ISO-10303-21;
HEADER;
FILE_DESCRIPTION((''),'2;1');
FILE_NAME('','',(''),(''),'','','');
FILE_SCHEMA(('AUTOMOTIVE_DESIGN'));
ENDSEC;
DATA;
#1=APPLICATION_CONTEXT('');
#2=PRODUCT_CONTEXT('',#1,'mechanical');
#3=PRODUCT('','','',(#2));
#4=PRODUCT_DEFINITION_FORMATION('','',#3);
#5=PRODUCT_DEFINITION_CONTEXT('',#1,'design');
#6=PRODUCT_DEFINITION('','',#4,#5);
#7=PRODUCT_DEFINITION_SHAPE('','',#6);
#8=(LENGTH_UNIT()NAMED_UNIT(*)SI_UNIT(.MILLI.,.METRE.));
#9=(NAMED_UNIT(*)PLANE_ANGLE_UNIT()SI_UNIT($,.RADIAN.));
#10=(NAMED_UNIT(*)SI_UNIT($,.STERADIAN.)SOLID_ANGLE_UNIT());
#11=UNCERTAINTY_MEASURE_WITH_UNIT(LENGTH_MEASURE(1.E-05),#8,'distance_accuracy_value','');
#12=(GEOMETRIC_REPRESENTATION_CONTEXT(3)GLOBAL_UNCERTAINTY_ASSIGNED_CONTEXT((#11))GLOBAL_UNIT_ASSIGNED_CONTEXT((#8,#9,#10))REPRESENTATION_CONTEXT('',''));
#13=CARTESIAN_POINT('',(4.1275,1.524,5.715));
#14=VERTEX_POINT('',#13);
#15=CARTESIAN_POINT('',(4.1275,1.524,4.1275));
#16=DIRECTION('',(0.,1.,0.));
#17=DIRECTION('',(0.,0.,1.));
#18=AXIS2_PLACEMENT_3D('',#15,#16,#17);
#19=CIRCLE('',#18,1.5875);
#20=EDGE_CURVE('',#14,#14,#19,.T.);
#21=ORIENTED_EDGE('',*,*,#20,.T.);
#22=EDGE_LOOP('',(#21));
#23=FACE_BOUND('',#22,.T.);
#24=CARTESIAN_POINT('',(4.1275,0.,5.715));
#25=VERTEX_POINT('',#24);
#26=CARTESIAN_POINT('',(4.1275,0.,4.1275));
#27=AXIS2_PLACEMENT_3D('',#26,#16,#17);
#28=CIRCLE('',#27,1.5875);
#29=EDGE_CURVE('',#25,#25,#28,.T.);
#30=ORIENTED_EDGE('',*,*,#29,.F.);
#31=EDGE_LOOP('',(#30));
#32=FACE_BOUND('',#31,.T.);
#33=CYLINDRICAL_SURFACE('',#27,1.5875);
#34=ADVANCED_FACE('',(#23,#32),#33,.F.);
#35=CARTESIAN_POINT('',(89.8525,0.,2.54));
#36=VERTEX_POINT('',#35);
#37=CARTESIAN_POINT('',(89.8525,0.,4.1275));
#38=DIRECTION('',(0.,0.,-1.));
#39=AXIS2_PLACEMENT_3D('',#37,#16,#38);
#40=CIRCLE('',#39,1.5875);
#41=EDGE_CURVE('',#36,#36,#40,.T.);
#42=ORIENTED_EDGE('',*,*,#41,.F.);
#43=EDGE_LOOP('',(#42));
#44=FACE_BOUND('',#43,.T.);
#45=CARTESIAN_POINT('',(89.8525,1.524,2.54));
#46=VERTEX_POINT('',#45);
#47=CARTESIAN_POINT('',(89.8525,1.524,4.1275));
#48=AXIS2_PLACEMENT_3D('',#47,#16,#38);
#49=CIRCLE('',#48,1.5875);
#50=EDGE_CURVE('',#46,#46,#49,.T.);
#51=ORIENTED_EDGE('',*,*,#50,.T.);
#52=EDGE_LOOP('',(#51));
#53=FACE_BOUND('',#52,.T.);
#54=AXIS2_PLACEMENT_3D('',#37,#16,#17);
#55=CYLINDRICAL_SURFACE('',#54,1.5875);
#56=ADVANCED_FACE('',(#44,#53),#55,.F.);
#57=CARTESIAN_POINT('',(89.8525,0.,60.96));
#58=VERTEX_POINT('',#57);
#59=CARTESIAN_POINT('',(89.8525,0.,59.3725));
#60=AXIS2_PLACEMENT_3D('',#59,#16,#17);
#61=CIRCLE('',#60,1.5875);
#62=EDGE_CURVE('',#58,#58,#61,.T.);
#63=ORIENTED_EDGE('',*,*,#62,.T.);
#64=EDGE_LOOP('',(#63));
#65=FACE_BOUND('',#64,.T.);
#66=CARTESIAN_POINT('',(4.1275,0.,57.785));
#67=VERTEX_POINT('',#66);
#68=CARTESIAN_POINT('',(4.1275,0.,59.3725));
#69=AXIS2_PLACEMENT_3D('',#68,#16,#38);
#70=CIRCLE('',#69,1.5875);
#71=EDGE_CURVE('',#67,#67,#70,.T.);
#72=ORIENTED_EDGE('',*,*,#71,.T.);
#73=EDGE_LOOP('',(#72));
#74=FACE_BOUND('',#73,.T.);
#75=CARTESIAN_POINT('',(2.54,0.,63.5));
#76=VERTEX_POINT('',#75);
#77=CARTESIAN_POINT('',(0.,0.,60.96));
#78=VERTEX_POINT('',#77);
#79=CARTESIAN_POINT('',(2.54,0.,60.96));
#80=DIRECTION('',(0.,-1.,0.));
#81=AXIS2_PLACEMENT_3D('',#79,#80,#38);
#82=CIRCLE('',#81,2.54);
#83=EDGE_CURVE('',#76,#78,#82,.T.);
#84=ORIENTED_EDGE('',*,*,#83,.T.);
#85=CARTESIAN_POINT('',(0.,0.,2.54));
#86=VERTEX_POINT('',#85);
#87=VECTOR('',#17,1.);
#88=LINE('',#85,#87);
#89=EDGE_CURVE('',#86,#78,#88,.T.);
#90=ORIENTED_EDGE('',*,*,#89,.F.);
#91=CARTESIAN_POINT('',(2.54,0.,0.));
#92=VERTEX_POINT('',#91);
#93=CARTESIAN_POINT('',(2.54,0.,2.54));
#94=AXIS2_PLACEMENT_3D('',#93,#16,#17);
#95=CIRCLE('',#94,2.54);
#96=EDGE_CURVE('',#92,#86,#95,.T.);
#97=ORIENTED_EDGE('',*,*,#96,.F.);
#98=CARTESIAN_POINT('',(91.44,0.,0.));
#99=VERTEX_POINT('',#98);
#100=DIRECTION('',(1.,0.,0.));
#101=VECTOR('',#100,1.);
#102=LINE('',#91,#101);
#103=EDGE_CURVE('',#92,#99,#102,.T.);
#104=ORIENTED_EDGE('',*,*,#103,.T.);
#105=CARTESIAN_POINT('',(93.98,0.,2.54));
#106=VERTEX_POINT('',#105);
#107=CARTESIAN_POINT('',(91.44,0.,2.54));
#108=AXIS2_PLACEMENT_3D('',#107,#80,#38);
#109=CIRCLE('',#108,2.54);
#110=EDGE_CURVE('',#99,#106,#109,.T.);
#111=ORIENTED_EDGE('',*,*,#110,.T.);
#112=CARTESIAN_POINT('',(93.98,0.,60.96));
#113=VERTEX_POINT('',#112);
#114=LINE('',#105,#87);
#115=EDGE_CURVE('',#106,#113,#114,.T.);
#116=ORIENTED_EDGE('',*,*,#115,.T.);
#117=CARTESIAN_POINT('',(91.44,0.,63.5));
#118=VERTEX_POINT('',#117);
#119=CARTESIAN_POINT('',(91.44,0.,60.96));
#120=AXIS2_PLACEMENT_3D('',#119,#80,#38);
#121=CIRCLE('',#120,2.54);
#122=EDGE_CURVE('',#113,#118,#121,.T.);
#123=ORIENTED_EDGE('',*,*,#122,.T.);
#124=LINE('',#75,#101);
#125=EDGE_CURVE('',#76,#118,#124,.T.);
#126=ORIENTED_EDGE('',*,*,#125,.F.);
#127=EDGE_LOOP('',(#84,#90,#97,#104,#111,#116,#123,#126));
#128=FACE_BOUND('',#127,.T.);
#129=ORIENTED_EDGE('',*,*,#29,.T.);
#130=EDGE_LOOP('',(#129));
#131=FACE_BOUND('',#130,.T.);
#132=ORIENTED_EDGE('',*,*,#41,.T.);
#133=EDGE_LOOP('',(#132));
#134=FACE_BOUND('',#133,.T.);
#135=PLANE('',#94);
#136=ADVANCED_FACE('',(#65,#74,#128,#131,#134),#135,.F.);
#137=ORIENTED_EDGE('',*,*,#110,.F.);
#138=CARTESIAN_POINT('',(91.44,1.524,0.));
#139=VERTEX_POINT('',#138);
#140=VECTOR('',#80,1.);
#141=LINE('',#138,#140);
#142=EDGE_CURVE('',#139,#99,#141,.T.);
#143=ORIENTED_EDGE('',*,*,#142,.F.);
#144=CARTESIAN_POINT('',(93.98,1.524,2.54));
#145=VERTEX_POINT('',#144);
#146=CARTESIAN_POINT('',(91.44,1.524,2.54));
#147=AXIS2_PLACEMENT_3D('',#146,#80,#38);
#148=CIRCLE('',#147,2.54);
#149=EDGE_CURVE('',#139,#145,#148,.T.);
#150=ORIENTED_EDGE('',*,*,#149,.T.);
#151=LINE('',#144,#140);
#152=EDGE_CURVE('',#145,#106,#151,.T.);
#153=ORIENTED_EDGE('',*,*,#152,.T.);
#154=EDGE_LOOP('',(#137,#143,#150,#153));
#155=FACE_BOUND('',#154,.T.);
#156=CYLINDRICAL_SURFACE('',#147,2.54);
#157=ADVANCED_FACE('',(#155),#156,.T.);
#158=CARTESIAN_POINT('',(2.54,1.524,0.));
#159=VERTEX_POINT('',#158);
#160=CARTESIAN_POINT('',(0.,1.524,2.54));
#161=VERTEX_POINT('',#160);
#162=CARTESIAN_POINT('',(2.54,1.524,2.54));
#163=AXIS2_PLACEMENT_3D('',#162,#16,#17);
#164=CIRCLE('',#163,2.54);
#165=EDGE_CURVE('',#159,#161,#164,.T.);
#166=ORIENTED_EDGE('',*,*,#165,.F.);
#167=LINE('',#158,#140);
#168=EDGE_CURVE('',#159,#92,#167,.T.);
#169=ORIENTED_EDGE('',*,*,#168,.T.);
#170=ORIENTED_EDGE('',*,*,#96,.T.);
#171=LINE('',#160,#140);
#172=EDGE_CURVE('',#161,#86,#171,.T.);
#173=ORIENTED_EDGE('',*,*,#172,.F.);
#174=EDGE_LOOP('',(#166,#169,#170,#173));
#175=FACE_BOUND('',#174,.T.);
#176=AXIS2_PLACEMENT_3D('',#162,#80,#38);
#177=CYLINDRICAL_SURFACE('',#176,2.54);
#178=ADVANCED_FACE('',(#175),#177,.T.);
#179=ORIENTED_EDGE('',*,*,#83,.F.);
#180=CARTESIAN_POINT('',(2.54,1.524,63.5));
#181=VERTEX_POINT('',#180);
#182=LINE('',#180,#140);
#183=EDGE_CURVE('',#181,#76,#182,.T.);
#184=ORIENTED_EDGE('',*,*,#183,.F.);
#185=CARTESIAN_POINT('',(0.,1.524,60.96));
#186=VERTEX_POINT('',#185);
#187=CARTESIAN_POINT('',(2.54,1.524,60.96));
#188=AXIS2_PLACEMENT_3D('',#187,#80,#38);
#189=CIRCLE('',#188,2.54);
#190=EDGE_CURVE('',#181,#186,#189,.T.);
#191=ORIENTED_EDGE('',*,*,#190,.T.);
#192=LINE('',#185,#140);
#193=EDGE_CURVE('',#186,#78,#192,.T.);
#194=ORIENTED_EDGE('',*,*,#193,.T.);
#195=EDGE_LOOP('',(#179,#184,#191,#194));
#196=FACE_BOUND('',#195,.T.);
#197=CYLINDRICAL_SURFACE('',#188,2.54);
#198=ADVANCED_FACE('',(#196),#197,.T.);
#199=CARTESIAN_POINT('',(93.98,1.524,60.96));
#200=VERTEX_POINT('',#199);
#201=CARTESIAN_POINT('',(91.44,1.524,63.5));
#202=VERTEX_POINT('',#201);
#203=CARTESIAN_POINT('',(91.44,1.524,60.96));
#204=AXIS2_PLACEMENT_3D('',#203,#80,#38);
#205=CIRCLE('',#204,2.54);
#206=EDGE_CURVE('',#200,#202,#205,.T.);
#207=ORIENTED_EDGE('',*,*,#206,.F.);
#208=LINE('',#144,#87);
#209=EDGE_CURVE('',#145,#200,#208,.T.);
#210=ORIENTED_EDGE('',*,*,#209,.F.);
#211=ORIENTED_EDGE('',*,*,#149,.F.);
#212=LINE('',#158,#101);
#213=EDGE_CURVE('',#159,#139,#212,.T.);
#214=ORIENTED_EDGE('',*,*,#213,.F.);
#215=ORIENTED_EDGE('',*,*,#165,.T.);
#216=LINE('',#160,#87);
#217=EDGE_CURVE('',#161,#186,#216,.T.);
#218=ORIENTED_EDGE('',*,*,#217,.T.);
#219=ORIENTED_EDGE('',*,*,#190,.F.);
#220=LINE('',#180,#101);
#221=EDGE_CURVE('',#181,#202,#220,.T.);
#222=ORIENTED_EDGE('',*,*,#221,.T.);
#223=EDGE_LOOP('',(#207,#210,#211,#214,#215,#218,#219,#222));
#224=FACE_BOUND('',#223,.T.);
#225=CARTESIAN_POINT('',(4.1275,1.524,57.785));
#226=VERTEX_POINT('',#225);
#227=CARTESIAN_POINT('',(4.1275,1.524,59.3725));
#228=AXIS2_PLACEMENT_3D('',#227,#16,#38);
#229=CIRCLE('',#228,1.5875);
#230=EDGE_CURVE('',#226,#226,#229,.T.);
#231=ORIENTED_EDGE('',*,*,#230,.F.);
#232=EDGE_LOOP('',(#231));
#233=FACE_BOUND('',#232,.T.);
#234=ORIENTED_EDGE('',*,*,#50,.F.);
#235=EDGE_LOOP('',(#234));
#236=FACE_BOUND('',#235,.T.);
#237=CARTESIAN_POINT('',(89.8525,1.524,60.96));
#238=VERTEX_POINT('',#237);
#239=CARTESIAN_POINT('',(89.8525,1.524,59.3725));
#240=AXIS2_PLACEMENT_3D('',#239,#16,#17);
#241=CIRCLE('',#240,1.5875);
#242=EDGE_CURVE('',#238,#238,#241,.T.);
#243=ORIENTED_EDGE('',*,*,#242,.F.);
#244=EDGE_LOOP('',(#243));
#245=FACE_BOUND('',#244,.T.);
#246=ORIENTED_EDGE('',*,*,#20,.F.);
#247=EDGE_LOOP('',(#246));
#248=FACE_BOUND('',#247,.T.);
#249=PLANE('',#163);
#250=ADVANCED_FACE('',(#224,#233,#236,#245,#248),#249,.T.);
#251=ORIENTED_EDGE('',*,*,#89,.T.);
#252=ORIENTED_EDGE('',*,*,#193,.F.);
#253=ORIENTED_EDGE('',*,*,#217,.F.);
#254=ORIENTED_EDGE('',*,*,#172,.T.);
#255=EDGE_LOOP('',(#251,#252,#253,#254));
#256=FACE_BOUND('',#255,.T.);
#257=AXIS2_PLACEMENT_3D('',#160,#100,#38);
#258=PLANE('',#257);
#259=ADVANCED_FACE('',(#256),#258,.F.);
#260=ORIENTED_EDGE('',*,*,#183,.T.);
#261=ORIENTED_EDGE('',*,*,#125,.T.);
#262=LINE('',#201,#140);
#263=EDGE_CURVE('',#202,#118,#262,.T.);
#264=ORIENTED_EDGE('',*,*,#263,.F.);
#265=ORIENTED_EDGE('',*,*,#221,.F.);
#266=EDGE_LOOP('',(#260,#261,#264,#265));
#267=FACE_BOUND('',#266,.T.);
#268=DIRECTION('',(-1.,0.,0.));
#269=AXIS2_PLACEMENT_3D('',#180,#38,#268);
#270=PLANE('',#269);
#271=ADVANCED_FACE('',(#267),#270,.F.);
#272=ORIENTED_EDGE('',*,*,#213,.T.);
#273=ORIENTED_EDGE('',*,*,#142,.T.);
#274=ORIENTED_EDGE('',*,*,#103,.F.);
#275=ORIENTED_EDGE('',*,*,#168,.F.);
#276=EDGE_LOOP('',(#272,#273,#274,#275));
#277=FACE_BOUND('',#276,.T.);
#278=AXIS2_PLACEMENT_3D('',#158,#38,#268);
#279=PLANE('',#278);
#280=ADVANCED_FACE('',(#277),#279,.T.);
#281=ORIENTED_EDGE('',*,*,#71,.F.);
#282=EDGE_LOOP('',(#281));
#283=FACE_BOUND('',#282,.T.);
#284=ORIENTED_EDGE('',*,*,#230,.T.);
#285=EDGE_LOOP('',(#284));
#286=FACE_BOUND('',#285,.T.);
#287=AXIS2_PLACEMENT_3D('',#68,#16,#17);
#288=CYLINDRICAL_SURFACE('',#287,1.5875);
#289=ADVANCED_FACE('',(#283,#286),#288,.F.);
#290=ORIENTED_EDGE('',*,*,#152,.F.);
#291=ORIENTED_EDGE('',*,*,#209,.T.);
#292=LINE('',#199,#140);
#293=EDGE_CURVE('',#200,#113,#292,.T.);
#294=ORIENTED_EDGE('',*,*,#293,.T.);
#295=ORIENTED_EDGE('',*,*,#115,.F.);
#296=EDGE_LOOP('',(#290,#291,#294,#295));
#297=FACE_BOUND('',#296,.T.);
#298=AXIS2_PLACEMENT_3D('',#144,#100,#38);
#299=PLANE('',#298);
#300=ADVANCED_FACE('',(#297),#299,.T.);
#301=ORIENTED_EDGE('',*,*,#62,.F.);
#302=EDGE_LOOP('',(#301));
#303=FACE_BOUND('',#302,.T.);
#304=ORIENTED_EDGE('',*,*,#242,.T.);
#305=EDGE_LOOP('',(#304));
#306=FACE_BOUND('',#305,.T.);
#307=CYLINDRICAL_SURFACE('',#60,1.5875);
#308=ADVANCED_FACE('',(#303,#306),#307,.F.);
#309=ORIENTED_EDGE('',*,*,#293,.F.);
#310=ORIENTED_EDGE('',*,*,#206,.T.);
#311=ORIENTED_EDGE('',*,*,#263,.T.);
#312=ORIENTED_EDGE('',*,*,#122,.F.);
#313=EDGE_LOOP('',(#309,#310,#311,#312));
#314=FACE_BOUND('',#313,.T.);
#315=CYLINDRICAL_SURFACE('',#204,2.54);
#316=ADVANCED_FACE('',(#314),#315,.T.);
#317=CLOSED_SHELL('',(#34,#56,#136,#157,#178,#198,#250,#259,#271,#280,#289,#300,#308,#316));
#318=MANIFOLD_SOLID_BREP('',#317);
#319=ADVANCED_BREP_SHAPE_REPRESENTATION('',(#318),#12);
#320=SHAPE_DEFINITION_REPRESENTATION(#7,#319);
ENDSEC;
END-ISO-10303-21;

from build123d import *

# Parameters (mm, degrees)
BOSS_EXTRUDE1_DEPTH = 1.524
SKETCH2_R           = 1.5875
CUT_EXTRUDE1_DEPTH  = 2.524


with BuildPart() as part:
    # Sketch1 → Boss-Extrude1 (new body)
    with BuildSketch(Plane(origin=(0, 0, 0), x_dir=(1, 0, 0), z_dir=(0, 1, 0))):
        with BuildLine():
            Line((2.54, 0), (91.44, 0))
            ThreePointArc((91.44, 0), (93.236051224, -0.743948776), (93.98, -2.54))
            Line((93.98, -2.54), (93.98, -60.96))
            ThreePointArc((93.98, -60.96), (93.236051224, -62.756051224), (91.44, -63.5))
            Line((91.44, -63.5), (2.54, -63.5))
            ThreePointArc((2.54, -63.5), (0.743948776, -62.756051224), (0, -60.96))
            Line((0, -60.96), (0, -2.54))
            ThreePointArc((0, -2.54), (0.743948776, -0.743948776), (2.54, 0))
        make_face()
    extrude(amount=BOSS_EXTRUDE1_DEPTH)

    # Sketch2 → Cut-Extrude1 (cut, through all)
    with BuildSketch(Plane(origin=(0, 1.524, 0), x_dir=(1, 0, 0), z_dir=(0, 1, 0))):
        with Locations((4.1275, -4.1275)):
            Circle(SKETCH2_R)
        with Locations((89.8525, -4.1275)):
            Circle(SKETCH2_R)
        with Locations((4.1275, -59.3725)):
            Circle(SKETCH2_R)
        with Locations((89.8525, -59.3725)):
            Circle(SKETCH2_R)
    extrude(amount=-CUT_EXTRUDE1_DEPTH, mode=Mode.SUBTRACT)


solid = part.part
